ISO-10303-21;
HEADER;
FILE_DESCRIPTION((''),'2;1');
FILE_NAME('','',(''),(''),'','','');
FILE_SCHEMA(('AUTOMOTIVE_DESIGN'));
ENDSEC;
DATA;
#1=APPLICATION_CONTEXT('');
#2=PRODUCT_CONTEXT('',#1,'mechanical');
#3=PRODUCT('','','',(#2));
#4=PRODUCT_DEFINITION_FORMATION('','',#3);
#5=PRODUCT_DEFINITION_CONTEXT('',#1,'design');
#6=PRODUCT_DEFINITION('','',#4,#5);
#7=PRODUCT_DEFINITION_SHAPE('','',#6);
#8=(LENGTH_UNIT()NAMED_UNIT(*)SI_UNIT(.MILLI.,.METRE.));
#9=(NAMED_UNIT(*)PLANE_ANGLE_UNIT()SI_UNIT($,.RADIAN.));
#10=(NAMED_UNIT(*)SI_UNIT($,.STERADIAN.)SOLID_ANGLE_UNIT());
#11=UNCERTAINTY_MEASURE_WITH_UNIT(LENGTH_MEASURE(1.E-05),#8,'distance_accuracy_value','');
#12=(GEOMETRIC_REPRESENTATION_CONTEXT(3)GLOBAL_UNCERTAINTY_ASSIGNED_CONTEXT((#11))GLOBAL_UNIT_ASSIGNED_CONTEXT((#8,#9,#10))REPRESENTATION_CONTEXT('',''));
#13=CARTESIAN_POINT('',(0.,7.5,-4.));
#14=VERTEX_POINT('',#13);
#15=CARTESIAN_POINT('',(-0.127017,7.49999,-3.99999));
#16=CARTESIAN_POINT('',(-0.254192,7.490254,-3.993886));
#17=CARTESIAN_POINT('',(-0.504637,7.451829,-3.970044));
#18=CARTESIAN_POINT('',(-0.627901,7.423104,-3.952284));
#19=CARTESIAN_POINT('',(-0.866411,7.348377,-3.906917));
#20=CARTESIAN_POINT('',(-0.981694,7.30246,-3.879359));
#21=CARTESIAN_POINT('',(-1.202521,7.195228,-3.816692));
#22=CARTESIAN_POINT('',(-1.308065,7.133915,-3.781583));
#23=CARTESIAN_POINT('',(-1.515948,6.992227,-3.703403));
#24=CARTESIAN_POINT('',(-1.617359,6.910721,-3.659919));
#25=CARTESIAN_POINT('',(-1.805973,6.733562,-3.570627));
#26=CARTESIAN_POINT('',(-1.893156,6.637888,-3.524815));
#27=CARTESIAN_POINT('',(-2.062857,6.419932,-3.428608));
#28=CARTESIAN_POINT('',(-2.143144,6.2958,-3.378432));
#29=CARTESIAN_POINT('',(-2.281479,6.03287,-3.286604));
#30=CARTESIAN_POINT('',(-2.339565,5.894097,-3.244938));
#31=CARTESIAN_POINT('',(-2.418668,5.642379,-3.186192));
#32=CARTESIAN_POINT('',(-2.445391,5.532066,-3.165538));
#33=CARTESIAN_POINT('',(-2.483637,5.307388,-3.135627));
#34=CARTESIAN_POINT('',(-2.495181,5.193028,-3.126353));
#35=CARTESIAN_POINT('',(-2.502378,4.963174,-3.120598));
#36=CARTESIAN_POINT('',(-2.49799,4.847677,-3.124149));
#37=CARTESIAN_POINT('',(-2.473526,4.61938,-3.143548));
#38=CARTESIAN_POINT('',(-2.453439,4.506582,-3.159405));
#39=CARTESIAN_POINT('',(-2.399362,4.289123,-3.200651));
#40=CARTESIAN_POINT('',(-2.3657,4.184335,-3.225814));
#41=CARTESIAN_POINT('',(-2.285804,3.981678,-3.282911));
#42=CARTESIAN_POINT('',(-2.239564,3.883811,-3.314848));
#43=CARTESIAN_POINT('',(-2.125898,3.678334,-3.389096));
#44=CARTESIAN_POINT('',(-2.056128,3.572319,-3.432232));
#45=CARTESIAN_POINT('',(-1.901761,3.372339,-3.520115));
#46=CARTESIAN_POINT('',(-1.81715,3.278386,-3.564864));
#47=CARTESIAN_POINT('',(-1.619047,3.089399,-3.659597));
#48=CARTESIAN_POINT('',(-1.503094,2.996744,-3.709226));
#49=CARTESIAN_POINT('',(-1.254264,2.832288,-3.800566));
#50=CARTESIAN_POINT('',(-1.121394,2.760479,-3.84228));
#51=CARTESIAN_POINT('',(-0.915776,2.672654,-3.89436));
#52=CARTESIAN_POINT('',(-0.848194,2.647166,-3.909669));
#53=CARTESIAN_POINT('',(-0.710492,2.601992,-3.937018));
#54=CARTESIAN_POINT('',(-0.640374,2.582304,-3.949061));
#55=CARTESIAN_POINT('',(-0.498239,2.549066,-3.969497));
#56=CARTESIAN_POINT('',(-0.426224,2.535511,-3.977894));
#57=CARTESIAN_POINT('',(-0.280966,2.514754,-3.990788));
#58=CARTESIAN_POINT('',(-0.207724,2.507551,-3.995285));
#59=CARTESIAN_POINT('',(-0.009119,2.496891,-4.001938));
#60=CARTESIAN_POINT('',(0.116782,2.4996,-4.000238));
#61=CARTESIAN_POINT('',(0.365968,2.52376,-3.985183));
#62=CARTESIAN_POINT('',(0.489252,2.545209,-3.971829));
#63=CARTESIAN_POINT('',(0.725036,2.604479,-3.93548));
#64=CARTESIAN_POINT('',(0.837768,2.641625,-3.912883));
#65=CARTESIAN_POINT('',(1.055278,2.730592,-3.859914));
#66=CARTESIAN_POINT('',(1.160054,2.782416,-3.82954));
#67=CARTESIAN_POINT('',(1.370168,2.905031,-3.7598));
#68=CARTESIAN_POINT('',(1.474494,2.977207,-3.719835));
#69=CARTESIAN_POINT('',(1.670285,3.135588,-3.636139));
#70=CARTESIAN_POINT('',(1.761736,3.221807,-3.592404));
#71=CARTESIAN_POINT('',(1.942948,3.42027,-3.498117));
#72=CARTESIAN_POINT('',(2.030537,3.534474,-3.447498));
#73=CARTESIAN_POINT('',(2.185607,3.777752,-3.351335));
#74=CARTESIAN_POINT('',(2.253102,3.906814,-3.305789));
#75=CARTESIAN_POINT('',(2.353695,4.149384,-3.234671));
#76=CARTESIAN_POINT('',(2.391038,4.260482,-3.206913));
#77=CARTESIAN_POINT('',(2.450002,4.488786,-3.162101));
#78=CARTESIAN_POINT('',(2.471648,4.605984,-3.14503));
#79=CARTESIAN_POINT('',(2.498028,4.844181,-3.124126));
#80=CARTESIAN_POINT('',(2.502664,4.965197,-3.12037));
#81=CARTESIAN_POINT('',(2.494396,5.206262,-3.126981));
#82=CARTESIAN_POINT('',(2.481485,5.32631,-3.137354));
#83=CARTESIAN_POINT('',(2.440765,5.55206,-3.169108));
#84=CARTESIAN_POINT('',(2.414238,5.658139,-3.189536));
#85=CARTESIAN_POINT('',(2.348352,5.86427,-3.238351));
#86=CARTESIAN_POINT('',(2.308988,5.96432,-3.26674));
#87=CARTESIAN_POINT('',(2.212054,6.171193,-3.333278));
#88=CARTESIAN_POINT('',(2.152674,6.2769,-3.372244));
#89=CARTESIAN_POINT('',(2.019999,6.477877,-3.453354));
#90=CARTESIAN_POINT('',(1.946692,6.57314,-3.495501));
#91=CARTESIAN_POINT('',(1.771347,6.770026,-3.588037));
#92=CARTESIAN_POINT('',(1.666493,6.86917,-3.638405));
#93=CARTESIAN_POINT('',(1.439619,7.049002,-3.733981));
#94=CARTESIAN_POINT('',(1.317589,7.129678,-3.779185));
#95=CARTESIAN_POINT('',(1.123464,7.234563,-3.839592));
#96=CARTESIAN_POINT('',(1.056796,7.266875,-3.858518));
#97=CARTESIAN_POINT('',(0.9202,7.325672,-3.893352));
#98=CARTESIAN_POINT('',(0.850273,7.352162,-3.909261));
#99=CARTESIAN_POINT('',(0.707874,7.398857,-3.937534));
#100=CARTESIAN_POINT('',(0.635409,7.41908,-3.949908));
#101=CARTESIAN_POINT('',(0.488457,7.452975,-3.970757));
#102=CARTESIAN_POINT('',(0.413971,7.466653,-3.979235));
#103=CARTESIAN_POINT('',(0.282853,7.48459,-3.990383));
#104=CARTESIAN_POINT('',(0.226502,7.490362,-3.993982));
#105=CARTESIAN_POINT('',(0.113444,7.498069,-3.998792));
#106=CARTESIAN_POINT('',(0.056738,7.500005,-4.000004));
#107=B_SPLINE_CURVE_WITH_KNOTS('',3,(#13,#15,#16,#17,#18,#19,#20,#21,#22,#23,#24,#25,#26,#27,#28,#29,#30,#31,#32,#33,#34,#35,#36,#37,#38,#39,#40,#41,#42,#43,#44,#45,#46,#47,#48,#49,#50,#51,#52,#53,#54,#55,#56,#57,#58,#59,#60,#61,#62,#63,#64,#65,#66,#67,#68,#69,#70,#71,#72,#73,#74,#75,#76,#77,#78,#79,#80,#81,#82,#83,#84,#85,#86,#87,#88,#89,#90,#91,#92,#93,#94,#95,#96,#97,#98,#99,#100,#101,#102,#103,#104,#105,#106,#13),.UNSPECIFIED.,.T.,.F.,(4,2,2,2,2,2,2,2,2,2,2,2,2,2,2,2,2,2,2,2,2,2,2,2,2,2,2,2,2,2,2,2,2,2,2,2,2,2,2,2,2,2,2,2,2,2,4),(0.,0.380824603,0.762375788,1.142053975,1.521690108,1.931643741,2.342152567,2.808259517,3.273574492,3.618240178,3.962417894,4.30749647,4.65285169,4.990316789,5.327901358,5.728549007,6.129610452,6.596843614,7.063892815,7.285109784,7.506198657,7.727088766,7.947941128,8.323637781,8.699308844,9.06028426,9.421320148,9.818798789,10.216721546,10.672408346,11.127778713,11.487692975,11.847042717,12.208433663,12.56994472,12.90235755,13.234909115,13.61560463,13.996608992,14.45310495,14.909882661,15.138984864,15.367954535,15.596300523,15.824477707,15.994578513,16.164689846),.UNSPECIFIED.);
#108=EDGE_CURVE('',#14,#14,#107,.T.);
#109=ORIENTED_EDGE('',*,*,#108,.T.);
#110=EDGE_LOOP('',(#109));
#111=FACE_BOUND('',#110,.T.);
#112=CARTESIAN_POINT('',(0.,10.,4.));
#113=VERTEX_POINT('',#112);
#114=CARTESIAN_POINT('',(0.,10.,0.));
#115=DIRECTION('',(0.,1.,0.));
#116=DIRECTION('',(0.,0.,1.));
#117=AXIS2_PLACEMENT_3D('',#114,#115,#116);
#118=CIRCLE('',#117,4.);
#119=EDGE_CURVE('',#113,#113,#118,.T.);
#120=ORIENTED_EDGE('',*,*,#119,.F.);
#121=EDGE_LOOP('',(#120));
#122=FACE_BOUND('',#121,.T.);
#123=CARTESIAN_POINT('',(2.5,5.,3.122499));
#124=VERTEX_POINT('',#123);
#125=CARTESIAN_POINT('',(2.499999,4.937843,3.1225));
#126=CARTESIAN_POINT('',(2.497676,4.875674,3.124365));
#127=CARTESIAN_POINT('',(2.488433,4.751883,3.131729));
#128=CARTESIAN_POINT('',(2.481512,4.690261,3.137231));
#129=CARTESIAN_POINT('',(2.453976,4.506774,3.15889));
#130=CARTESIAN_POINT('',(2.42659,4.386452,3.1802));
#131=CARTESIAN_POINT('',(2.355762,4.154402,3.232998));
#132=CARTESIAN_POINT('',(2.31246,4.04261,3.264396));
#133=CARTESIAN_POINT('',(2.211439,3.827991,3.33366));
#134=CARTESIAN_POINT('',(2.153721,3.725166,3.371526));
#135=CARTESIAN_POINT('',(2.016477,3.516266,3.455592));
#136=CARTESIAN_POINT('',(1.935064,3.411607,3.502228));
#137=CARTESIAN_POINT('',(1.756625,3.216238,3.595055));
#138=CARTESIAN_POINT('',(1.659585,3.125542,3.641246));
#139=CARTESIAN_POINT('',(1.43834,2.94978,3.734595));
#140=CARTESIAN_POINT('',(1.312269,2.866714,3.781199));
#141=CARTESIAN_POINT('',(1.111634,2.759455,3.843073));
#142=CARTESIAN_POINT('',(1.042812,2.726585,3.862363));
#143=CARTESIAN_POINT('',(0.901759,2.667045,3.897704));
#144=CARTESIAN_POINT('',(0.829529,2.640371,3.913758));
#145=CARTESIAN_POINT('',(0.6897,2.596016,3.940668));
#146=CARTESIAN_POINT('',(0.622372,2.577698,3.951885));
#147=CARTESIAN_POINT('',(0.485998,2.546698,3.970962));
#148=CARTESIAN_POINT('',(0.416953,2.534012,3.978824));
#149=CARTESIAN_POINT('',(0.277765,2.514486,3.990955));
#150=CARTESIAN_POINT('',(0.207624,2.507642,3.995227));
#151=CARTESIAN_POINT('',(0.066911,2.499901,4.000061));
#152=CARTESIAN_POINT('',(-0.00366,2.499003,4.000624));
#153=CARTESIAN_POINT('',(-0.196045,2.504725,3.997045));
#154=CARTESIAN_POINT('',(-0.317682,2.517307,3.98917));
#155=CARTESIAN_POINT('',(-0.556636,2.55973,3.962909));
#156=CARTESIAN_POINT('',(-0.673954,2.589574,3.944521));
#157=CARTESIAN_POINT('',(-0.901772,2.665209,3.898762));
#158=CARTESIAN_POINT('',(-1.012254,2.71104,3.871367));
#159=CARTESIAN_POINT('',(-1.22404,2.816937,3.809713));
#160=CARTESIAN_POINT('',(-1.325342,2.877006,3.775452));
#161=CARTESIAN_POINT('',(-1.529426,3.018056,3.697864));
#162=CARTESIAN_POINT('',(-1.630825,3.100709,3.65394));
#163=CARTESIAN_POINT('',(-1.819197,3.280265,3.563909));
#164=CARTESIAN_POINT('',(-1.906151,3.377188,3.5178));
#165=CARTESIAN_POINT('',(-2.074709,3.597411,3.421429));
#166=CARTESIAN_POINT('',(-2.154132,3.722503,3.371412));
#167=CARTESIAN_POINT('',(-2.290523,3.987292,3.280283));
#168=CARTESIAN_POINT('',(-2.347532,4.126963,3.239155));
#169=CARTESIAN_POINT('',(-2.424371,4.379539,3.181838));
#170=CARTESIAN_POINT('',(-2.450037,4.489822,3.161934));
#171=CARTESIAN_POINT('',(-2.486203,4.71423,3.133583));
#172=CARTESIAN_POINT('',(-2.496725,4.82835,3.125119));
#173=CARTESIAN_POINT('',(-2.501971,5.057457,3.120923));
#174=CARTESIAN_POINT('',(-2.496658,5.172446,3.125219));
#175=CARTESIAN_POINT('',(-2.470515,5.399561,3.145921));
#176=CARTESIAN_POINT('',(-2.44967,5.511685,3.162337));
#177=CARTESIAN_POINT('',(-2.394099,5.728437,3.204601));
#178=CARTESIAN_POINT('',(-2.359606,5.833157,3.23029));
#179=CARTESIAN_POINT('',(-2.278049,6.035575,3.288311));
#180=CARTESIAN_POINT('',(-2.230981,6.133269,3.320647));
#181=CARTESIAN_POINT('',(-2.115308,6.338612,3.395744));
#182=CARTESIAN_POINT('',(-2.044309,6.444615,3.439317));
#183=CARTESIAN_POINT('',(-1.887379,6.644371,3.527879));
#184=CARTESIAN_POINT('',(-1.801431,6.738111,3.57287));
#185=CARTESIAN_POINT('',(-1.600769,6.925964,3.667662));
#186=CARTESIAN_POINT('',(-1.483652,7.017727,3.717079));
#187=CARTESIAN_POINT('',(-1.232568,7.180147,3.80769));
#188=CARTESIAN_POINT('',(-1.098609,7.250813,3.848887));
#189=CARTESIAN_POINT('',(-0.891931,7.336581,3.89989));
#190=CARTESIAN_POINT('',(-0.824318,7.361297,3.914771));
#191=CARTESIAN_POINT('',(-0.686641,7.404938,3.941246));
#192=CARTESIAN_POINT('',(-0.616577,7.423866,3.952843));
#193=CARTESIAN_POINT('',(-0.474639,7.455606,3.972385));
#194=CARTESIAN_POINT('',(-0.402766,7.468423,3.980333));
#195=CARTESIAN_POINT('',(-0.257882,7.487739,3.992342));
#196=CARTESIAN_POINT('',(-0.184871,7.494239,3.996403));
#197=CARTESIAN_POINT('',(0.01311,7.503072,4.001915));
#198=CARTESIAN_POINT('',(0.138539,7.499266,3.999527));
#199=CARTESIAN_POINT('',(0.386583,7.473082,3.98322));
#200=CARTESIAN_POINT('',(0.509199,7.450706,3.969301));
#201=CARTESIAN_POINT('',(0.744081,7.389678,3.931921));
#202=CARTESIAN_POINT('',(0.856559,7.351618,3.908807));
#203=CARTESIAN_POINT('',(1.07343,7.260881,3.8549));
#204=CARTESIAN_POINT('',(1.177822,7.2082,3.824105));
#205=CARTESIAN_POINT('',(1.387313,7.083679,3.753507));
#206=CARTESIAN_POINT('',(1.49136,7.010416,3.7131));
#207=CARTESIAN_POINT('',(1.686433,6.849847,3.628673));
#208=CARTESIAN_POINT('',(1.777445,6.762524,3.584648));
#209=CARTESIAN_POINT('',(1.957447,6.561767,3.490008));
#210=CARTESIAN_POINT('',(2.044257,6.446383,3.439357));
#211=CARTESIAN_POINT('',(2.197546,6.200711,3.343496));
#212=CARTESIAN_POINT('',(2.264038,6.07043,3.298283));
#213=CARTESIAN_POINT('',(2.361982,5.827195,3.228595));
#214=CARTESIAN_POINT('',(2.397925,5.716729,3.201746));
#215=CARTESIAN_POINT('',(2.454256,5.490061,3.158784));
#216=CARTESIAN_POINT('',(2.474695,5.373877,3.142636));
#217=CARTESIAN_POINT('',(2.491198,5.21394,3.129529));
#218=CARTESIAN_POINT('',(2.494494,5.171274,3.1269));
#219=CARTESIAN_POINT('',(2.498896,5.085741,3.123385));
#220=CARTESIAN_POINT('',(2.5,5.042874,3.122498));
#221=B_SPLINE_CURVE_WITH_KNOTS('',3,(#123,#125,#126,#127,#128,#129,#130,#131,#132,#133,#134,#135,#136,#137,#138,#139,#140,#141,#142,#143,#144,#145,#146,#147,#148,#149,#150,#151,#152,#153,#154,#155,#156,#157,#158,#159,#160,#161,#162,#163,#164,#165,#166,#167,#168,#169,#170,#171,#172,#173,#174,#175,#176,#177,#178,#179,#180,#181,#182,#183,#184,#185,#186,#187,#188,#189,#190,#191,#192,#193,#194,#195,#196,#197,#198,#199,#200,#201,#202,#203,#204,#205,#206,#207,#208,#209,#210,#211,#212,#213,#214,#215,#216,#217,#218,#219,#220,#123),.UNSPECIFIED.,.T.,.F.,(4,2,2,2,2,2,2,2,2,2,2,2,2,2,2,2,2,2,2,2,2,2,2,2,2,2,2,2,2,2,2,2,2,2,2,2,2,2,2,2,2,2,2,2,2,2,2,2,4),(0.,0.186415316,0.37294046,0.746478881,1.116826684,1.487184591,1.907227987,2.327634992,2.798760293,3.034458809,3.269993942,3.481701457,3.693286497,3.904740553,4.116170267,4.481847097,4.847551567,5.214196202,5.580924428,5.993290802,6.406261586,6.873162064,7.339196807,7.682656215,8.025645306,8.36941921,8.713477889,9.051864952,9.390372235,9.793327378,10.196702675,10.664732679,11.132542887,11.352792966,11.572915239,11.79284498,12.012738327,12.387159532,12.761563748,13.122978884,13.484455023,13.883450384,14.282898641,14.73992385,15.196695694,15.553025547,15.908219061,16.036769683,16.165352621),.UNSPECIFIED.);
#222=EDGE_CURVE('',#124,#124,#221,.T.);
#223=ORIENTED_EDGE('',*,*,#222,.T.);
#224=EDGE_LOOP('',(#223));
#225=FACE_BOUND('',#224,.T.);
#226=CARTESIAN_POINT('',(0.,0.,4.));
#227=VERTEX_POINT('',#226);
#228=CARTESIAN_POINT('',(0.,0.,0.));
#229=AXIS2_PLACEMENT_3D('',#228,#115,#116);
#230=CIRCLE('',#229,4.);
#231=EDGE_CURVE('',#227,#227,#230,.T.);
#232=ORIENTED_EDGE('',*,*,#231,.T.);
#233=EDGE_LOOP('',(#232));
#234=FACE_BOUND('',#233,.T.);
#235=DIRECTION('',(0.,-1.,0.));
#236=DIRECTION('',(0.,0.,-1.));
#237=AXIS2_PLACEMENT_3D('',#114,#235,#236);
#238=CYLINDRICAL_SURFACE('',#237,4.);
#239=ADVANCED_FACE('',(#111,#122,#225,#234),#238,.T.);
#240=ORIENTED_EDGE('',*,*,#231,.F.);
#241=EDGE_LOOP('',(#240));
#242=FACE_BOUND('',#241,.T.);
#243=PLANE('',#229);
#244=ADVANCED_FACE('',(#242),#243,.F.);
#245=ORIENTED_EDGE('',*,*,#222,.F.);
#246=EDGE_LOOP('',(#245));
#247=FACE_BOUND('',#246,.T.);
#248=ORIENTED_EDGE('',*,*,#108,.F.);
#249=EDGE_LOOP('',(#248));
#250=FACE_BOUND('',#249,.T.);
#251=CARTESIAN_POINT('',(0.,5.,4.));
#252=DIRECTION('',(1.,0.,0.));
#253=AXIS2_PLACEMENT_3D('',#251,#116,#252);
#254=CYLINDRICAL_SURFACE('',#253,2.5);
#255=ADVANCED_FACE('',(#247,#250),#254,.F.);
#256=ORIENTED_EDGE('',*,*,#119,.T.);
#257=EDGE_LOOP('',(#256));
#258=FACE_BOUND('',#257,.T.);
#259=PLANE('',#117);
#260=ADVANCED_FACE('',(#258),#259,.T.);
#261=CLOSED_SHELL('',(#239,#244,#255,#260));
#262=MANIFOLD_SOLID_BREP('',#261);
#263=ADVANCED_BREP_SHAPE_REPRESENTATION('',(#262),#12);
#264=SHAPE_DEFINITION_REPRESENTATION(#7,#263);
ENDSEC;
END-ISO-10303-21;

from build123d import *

# Parameters (mm, degrees)
SKETCH_1_R        = 4
EXTRUDE_1_DEPTH   = 10
HOLE_WIZARD_M61_D = 5


with BuildPart() as part:
    # Эскиз1 → Бобышка-Вытянуть1 (new body)
    with BuildSketch(Plane(origin=(0, 0, 0), x_dir=(1, 0, 0), z_dir=(0, 1, 0))):
        with Locations(Location((0, 0, 0), (0, 0, 270))):
            Circle(SKETCH_1_R)
    extrude(amount=EXTRUDE_1_DEPTH)

    # Отверстие обработанное метчиком M61 (through all)
    with Locations(Plane(origin=(0, 5, 4), x_dir=(1, 0, 0), z_dir=(0, 0, 1))):
        with Locations((0, 0)):
            Hole(HOLE_WIZARD_M61_D / 2)


solid = part.part
